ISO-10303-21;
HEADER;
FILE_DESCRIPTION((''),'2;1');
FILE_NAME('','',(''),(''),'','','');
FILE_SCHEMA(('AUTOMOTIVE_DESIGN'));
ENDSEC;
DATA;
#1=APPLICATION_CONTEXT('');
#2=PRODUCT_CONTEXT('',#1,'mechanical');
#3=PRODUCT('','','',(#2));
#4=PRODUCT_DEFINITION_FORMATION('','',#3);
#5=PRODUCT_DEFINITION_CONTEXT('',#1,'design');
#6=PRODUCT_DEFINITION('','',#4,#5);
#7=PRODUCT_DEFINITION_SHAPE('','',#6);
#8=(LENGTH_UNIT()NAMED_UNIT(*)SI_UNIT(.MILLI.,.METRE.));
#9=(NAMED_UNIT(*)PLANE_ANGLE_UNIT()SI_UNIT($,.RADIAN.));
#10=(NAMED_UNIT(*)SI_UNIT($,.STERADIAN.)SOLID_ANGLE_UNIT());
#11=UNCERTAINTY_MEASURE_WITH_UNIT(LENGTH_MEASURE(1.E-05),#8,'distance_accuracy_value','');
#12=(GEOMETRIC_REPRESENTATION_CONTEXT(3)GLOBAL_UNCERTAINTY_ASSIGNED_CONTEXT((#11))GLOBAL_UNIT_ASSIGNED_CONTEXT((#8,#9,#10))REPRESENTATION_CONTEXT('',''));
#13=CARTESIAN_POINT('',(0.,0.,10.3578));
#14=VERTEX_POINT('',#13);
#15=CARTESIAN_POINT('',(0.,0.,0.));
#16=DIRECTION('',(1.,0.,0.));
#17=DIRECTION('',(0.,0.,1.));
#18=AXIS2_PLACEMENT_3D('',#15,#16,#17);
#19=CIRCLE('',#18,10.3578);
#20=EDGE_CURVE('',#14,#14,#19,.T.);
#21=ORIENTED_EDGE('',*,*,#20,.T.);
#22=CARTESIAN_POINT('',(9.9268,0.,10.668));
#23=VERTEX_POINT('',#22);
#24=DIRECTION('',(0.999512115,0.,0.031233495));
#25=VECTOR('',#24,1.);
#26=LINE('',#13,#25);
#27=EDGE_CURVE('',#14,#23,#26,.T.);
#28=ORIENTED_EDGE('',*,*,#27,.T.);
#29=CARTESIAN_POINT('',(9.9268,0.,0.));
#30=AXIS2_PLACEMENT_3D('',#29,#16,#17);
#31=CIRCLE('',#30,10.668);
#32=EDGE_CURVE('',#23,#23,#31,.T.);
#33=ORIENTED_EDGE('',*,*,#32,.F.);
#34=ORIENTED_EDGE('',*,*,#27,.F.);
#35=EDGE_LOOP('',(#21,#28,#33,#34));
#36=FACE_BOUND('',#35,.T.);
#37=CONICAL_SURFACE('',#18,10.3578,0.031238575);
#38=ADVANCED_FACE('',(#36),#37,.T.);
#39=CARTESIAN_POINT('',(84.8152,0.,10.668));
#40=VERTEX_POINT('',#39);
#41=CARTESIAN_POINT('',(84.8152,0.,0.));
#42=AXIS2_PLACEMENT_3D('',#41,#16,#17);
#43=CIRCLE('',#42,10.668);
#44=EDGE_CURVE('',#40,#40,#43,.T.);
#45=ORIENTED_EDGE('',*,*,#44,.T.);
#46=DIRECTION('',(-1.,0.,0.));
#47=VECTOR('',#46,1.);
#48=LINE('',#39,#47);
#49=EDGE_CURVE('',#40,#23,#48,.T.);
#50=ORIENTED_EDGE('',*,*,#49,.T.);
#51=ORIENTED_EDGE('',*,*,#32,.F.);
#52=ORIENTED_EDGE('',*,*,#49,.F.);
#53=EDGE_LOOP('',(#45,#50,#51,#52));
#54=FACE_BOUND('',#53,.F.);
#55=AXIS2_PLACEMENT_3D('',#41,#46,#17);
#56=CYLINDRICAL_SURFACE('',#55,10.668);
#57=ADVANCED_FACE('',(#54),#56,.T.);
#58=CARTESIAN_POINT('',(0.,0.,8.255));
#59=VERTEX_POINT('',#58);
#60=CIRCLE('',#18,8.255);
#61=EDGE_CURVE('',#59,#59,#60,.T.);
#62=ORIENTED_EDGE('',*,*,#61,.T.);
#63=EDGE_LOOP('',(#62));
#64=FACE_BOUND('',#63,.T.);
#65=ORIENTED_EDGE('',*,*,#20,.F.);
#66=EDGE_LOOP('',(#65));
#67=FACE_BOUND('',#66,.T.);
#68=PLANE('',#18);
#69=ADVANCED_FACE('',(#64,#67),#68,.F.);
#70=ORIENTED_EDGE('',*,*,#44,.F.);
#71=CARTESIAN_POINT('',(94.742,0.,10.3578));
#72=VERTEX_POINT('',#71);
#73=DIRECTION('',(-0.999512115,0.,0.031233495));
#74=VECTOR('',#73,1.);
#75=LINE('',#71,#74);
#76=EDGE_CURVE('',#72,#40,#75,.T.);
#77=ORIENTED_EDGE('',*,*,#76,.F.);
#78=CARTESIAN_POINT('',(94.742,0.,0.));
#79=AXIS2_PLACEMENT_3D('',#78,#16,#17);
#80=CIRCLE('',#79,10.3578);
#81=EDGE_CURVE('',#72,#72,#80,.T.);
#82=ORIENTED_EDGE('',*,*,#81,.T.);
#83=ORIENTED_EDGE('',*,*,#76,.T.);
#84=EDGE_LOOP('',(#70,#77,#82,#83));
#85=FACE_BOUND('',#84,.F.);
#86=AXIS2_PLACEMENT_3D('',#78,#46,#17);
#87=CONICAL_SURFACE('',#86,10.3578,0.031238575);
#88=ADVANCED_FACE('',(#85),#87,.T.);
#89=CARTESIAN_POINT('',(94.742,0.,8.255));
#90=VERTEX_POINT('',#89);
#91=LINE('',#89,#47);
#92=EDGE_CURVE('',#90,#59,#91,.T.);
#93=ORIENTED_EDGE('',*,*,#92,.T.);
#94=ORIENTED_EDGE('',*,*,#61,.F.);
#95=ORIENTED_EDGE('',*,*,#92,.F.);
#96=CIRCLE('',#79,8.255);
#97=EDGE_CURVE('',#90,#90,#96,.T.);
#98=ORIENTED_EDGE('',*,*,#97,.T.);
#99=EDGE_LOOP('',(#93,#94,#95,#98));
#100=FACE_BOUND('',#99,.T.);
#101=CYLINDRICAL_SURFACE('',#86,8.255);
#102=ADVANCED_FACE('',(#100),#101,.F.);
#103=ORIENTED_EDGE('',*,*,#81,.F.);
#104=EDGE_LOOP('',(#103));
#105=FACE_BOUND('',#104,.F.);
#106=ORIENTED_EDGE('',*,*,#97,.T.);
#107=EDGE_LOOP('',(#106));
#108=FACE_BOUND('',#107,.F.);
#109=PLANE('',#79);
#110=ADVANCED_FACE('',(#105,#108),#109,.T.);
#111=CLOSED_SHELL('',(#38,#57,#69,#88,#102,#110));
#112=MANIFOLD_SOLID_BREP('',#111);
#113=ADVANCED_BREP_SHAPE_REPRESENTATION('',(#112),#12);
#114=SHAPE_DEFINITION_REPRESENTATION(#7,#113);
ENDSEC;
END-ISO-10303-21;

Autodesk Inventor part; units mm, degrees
ref_plane "YZ Plane" through (0, 0, 0) normal (1, 0, 0) x (0, 1, 0)
ref_plane "XZ Plane" through (0, 0, 0) normal (0, 1, 0) x (-1, 0, 0)
ref_plane "XY Plane" through (0, 0, 0) normal (0, 0, 1) x (1, 0, 0)
sketch "Sketch1" plane through (0, 0, 0) normal (0, 1, 0) x (-1, 0, 0)
  line L0 (0, 0) -> (-94.742, 0)
  line L1 (-94.742, 0) -> (-94.742, 8.255) construction
  line L2 (-94.742, 8.255) -> (-94.742, 10.3578)
  line L3 (-94.742, 10.3578) -> (-84.8152, 10.668)
  line L4 (-84.8152, 10.668) -> (-9.9268, 10.668)
  line L5 (-47.371, 0) -> (-47.371, 10.668) construction
  line L6 (-94.742, 8.255) -> (0, 8.255)
  line L7 (0, 0) -> (0, 8.255) construction
  line L8 (0, 8.255) -> (0, 10.3578)
  line L9 (0, 10.3578) -> (-9.9268, 10.668)
  line L10 (-81.186, 10.7814) -> (-81.186, 0) construction
  line L11 (-13.556, 10.7814) -> (-13.556, 0) construction
  line L12 (-84.8152, 10.668) -> (-81.186, 10.7814) construction
  line L13 (-84.8152, 10.668) -> (-84.8152, 0) construction
  line L14 (-9.9268, 10.668) -> (-13.556, 10.7814) construction
  line L15 (-9.9268, 10.668) -> (-9.9268, 0) construction
  dimension "d0" = 21.336
  dimension "d1" = 1.79
  dimension "d2" = 16.51
  dimension "d3" = 94.742
  dimension "d4" = 13.556
  dimension "d5" = 21.5628
revolve "Revolution1" add sketch "Sketch1" angle 360 about axis through (0, 0, 0) along (1, 0, 0)
thread "Thread1" size "1/2" designation "1/2 - 14 NPT" standard "NPT" full length
thread "Thread2" size "1/2" designation "1/2 - 14 NPT" standard "NPT" full length
equation "\"d0\" = OD"
equation "\"d2\" = ID"
equation "\"d3\" = L"
equation "\"d4\" = L2"
equation "\"d5\" = D2"
equation "\"OD\" = 21.336"
equation "\"t\" = 2.413"
equation "\"L\" = PL"
equation "\"L4\" = 19.8501"
equation "\"ID\" = 16.51"
equation "\"PL\" = 94.742"
equation "\"D2\" = 21.56282"
equation "\"L2\" = 13.55598"
equation "\"Size_Designation\" = 1.2345"
equation "\"PLmin\" = 2 * L2"
properties material "Steel, Wrought"
